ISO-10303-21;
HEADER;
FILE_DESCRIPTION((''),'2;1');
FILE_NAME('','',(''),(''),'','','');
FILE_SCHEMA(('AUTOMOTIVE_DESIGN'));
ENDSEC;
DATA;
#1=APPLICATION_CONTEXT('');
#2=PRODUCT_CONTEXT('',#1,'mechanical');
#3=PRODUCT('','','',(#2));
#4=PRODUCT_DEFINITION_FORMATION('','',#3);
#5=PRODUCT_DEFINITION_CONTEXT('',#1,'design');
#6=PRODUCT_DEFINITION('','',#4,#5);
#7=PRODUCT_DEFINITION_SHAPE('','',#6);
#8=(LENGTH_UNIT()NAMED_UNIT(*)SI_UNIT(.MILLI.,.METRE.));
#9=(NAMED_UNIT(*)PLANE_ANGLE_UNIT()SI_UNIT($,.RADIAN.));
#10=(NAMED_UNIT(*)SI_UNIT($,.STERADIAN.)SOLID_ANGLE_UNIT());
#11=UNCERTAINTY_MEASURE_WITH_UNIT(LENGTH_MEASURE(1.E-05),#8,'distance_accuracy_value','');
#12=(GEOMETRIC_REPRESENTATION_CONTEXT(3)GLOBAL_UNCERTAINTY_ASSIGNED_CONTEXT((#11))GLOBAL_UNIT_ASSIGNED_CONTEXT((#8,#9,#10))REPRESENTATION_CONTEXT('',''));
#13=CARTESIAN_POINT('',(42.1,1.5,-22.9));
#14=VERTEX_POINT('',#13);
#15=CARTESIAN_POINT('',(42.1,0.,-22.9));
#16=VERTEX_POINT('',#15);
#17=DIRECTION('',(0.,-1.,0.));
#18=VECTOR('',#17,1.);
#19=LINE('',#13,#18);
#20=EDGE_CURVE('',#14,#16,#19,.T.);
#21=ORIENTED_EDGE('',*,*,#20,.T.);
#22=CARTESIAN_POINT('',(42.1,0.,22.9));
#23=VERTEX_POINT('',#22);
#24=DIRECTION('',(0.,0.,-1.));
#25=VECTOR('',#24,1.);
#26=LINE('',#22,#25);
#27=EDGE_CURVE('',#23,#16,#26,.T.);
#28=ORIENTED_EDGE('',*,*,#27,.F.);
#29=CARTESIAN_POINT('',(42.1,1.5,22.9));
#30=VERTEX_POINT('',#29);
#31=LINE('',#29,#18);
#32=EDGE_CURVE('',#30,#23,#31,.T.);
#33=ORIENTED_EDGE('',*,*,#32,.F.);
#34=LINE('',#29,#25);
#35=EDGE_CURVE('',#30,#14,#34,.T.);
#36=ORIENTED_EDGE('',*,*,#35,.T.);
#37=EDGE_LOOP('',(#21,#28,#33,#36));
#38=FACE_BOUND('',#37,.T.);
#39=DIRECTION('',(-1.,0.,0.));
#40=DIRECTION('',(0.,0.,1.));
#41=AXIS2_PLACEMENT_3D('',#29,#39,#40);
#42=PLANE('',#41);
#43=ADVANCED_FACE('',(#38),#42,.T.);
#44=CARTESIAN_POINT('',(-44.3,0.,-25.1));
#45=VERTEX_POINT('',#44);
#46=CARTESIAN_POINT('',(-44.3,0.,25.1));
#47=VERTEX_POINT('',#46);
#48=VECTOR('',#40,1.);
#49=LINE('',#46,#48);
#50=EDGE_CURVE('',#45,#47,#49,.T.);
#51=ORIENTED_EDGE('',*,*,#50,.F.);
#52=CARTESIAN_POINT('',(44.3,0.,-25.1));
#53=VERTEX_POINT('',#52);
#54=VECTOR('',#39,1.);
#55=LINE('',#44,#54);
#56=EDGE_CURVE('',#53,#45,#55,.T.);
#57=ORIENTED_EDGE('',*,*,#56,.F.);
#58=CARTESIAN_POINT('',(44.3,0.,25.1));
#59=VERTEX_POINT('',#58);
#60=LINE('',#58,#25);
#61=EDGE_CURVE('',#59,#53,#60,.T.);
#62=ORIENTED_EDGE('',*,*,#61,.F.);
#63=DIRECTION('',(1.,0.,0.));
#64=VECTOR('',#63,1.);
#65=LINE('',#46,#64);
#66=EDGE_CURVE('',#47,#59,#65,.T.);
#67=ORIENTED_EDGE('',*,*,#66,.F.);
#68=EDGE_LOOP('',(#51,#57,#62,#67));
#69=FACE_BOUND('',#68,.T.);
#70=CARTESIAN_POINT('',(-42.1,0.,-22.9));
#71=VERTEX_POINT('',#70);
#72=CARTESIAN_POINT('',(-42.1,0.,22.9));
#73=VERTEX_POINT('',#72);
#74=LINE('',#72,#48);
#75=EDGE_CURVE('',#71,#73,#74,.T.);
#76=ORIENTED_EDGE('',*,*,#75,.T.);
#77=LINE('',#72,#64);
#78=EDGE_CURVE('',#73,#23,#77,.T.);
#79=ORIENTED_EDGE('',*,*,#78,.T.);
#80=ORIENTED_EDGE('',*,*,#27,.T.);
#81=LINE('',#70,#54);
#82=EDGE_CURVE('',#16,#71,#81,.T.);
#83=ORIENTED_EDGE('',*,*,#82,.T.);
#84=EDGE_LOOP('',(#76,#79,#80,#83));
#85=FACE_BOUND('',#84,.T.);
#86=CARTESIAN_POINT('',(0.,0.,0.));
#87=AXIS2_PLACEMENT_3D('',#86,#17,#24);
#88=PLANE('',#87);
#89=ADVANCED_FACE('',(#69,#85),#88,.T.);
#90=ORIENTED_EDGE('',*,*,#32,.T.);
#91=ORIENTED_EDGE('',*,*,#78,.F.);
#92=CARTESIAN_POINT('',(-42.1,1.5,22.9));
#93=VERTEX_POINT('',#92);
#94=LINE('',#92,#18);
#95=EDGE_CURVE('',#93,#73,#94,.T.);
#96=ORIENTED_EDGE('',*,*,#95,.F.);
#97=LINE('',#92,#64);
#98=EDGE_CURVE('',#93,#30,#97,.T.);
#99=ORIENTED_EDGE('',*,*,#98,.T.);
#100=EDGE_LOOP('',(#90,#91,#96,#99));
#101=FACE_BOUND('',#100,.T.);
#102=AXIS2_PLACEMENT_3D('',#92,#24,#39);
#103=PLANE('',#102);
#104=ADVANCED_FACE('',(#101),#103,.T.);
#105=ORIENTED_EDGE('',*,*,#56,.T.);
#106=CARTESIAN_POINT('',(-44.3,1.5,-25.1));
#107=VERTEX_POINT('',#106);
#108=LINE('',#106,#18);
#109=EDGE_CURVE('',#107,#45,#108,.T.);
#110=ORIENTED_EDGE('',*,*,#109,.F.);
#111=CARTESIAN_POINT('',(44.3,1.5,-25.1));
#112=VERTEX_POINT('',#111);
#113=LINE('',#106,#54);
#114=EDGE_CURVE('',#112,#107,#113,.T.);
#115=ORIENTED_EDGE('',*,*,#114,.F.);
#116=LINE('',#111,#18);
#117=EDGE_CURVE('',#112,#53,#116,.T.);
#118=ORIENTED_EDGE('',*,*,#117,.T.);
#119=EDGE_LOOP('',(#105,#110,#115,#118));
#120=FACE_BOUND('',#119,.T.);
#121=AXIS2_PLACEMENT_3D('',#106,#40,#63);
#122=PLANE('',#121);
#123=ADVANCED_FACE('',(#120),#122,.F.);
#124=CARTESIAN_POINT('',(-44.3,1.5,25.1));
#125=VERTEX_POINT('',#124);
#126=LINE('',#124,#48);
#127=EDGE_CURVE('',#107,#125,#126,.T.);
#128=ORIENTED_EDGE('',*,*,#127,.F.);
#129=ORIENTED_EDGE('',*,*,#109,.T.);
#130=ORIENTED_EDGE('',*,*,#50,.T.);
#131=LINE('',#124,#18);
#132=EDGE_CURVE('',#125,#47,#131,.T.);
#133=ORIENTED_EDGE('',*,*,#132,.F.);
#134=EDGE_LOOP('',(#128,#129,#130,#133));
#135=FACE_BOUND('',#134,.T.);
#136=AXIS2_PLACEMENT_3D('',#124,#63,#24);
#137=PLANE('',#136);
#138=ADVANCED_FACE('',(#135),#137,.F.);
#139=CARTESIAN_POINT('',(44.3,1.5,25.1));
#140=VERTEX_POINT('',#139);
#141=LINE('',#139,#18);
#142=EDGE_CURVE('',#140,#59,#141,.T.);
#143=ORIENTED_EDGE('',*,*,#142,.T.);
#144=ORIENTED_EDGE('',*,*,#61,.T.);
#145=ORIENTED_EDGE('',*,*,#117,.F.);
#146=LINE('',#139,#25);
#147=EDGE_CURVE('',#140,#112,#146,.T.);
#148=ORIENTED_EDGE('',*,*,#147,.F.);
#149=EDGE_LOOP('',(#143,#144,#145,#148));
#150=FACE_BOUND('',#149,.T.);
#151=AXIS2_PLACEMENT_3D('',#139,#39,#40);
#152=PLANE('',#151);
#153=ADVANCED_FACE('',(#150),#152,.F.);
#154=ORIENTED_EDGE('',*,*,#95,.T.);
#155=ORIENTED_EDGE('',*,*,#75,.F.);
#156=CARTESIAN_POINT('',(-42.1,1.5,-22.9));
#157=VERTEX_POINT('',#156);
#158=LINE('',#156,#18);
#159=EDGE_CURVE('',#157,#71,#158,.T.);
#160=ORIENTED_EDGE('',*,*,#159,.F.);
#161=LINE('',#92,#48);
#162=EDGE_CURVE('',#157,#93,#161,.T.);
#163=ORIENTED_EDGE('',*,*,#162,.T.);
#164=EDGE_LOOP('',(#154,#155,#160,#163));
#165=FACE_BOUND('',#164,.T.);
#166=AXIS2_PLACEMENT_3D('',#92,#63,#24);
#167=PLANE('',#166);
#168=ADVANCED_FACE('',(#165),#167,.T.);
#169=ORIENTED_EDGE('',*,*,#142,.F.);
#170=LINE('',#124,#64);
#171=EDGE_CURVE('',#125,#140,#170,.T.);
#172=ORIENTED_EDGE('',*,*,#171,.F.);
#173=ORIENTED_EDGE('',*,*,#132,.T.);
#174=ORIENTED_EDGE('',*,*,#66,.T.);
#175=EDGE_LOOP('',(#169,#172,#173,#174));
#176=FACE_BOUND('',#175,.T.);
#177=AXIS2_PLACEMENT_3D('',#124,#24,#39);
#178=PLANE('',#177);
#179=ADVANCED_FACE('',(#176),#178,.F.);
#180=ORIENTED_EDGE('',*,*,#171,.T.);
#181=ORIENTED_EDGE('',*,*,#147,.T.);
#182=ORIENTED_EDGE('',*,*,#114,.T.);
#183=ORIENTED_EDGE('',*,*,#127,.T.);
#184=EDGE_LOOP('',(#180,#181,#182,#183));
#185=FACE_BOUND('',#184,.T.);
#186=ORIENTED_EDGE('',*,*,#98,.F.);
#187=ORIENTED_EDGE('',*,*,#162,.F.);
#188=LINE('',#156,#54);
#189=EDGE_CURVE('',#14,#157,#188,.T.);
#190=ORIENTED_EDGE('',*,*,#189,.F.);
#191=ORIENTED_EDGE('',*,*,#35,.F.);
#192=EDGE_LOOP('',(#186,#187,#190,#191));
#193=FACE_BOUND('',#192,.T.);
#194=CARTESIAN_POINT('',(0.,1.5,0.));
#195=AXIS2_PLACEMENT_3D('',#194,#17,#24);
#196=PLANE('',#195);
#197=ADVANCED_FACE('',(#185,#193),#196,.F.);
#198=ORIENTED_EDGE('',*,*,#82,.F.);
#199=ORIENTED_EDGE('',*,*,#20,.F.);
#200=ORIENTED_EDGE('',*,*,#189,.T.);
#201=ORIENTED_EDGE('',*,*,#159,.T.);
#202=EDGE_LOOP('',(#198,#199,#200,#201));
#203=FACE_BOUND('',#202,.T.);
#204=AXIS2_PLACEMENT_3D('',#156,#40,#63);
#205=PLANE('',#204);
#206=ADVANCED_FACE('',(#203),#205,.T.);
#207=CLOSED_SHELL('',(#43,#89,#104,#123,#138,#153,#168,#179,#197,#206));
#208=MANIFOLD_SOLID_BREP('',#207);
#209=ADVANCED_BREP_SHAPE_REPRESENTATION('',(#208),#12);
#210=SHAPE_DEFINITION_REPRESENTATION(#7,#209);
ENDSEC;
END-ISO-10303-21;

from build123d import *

# Parameters (mm, degrees)
SKIZZE2_W                       = 88.6
SKIZZE2_H                       = 50.2
SKIZZE2_W_2                     = 84.2
SKIZZE2_H_2                     = 45.8
AUFSATZ_LINEAR_AUSTRAGEN1_DEPTH = 1.5


with BuildPart() as part:
    # Skizze2 → Aufsatz-Linear austragen1 (new body)
    with BuildSketch(Plane(origin=(0, 0, 0), x_dir=(1, 0, 0), z_dir=(0, 1, 0))):
        Rectangle(SKIZZE2_W, SKIZZE2_H)
        Rectangle(SKIZZE2_W_2, SKIZZE2_H_2, mode=Mode.SUBTRACT)
    extrude(amount=AUFSATZ_LINEAR_AUSTRAGEN1_DEPTH)


solid = part.part
